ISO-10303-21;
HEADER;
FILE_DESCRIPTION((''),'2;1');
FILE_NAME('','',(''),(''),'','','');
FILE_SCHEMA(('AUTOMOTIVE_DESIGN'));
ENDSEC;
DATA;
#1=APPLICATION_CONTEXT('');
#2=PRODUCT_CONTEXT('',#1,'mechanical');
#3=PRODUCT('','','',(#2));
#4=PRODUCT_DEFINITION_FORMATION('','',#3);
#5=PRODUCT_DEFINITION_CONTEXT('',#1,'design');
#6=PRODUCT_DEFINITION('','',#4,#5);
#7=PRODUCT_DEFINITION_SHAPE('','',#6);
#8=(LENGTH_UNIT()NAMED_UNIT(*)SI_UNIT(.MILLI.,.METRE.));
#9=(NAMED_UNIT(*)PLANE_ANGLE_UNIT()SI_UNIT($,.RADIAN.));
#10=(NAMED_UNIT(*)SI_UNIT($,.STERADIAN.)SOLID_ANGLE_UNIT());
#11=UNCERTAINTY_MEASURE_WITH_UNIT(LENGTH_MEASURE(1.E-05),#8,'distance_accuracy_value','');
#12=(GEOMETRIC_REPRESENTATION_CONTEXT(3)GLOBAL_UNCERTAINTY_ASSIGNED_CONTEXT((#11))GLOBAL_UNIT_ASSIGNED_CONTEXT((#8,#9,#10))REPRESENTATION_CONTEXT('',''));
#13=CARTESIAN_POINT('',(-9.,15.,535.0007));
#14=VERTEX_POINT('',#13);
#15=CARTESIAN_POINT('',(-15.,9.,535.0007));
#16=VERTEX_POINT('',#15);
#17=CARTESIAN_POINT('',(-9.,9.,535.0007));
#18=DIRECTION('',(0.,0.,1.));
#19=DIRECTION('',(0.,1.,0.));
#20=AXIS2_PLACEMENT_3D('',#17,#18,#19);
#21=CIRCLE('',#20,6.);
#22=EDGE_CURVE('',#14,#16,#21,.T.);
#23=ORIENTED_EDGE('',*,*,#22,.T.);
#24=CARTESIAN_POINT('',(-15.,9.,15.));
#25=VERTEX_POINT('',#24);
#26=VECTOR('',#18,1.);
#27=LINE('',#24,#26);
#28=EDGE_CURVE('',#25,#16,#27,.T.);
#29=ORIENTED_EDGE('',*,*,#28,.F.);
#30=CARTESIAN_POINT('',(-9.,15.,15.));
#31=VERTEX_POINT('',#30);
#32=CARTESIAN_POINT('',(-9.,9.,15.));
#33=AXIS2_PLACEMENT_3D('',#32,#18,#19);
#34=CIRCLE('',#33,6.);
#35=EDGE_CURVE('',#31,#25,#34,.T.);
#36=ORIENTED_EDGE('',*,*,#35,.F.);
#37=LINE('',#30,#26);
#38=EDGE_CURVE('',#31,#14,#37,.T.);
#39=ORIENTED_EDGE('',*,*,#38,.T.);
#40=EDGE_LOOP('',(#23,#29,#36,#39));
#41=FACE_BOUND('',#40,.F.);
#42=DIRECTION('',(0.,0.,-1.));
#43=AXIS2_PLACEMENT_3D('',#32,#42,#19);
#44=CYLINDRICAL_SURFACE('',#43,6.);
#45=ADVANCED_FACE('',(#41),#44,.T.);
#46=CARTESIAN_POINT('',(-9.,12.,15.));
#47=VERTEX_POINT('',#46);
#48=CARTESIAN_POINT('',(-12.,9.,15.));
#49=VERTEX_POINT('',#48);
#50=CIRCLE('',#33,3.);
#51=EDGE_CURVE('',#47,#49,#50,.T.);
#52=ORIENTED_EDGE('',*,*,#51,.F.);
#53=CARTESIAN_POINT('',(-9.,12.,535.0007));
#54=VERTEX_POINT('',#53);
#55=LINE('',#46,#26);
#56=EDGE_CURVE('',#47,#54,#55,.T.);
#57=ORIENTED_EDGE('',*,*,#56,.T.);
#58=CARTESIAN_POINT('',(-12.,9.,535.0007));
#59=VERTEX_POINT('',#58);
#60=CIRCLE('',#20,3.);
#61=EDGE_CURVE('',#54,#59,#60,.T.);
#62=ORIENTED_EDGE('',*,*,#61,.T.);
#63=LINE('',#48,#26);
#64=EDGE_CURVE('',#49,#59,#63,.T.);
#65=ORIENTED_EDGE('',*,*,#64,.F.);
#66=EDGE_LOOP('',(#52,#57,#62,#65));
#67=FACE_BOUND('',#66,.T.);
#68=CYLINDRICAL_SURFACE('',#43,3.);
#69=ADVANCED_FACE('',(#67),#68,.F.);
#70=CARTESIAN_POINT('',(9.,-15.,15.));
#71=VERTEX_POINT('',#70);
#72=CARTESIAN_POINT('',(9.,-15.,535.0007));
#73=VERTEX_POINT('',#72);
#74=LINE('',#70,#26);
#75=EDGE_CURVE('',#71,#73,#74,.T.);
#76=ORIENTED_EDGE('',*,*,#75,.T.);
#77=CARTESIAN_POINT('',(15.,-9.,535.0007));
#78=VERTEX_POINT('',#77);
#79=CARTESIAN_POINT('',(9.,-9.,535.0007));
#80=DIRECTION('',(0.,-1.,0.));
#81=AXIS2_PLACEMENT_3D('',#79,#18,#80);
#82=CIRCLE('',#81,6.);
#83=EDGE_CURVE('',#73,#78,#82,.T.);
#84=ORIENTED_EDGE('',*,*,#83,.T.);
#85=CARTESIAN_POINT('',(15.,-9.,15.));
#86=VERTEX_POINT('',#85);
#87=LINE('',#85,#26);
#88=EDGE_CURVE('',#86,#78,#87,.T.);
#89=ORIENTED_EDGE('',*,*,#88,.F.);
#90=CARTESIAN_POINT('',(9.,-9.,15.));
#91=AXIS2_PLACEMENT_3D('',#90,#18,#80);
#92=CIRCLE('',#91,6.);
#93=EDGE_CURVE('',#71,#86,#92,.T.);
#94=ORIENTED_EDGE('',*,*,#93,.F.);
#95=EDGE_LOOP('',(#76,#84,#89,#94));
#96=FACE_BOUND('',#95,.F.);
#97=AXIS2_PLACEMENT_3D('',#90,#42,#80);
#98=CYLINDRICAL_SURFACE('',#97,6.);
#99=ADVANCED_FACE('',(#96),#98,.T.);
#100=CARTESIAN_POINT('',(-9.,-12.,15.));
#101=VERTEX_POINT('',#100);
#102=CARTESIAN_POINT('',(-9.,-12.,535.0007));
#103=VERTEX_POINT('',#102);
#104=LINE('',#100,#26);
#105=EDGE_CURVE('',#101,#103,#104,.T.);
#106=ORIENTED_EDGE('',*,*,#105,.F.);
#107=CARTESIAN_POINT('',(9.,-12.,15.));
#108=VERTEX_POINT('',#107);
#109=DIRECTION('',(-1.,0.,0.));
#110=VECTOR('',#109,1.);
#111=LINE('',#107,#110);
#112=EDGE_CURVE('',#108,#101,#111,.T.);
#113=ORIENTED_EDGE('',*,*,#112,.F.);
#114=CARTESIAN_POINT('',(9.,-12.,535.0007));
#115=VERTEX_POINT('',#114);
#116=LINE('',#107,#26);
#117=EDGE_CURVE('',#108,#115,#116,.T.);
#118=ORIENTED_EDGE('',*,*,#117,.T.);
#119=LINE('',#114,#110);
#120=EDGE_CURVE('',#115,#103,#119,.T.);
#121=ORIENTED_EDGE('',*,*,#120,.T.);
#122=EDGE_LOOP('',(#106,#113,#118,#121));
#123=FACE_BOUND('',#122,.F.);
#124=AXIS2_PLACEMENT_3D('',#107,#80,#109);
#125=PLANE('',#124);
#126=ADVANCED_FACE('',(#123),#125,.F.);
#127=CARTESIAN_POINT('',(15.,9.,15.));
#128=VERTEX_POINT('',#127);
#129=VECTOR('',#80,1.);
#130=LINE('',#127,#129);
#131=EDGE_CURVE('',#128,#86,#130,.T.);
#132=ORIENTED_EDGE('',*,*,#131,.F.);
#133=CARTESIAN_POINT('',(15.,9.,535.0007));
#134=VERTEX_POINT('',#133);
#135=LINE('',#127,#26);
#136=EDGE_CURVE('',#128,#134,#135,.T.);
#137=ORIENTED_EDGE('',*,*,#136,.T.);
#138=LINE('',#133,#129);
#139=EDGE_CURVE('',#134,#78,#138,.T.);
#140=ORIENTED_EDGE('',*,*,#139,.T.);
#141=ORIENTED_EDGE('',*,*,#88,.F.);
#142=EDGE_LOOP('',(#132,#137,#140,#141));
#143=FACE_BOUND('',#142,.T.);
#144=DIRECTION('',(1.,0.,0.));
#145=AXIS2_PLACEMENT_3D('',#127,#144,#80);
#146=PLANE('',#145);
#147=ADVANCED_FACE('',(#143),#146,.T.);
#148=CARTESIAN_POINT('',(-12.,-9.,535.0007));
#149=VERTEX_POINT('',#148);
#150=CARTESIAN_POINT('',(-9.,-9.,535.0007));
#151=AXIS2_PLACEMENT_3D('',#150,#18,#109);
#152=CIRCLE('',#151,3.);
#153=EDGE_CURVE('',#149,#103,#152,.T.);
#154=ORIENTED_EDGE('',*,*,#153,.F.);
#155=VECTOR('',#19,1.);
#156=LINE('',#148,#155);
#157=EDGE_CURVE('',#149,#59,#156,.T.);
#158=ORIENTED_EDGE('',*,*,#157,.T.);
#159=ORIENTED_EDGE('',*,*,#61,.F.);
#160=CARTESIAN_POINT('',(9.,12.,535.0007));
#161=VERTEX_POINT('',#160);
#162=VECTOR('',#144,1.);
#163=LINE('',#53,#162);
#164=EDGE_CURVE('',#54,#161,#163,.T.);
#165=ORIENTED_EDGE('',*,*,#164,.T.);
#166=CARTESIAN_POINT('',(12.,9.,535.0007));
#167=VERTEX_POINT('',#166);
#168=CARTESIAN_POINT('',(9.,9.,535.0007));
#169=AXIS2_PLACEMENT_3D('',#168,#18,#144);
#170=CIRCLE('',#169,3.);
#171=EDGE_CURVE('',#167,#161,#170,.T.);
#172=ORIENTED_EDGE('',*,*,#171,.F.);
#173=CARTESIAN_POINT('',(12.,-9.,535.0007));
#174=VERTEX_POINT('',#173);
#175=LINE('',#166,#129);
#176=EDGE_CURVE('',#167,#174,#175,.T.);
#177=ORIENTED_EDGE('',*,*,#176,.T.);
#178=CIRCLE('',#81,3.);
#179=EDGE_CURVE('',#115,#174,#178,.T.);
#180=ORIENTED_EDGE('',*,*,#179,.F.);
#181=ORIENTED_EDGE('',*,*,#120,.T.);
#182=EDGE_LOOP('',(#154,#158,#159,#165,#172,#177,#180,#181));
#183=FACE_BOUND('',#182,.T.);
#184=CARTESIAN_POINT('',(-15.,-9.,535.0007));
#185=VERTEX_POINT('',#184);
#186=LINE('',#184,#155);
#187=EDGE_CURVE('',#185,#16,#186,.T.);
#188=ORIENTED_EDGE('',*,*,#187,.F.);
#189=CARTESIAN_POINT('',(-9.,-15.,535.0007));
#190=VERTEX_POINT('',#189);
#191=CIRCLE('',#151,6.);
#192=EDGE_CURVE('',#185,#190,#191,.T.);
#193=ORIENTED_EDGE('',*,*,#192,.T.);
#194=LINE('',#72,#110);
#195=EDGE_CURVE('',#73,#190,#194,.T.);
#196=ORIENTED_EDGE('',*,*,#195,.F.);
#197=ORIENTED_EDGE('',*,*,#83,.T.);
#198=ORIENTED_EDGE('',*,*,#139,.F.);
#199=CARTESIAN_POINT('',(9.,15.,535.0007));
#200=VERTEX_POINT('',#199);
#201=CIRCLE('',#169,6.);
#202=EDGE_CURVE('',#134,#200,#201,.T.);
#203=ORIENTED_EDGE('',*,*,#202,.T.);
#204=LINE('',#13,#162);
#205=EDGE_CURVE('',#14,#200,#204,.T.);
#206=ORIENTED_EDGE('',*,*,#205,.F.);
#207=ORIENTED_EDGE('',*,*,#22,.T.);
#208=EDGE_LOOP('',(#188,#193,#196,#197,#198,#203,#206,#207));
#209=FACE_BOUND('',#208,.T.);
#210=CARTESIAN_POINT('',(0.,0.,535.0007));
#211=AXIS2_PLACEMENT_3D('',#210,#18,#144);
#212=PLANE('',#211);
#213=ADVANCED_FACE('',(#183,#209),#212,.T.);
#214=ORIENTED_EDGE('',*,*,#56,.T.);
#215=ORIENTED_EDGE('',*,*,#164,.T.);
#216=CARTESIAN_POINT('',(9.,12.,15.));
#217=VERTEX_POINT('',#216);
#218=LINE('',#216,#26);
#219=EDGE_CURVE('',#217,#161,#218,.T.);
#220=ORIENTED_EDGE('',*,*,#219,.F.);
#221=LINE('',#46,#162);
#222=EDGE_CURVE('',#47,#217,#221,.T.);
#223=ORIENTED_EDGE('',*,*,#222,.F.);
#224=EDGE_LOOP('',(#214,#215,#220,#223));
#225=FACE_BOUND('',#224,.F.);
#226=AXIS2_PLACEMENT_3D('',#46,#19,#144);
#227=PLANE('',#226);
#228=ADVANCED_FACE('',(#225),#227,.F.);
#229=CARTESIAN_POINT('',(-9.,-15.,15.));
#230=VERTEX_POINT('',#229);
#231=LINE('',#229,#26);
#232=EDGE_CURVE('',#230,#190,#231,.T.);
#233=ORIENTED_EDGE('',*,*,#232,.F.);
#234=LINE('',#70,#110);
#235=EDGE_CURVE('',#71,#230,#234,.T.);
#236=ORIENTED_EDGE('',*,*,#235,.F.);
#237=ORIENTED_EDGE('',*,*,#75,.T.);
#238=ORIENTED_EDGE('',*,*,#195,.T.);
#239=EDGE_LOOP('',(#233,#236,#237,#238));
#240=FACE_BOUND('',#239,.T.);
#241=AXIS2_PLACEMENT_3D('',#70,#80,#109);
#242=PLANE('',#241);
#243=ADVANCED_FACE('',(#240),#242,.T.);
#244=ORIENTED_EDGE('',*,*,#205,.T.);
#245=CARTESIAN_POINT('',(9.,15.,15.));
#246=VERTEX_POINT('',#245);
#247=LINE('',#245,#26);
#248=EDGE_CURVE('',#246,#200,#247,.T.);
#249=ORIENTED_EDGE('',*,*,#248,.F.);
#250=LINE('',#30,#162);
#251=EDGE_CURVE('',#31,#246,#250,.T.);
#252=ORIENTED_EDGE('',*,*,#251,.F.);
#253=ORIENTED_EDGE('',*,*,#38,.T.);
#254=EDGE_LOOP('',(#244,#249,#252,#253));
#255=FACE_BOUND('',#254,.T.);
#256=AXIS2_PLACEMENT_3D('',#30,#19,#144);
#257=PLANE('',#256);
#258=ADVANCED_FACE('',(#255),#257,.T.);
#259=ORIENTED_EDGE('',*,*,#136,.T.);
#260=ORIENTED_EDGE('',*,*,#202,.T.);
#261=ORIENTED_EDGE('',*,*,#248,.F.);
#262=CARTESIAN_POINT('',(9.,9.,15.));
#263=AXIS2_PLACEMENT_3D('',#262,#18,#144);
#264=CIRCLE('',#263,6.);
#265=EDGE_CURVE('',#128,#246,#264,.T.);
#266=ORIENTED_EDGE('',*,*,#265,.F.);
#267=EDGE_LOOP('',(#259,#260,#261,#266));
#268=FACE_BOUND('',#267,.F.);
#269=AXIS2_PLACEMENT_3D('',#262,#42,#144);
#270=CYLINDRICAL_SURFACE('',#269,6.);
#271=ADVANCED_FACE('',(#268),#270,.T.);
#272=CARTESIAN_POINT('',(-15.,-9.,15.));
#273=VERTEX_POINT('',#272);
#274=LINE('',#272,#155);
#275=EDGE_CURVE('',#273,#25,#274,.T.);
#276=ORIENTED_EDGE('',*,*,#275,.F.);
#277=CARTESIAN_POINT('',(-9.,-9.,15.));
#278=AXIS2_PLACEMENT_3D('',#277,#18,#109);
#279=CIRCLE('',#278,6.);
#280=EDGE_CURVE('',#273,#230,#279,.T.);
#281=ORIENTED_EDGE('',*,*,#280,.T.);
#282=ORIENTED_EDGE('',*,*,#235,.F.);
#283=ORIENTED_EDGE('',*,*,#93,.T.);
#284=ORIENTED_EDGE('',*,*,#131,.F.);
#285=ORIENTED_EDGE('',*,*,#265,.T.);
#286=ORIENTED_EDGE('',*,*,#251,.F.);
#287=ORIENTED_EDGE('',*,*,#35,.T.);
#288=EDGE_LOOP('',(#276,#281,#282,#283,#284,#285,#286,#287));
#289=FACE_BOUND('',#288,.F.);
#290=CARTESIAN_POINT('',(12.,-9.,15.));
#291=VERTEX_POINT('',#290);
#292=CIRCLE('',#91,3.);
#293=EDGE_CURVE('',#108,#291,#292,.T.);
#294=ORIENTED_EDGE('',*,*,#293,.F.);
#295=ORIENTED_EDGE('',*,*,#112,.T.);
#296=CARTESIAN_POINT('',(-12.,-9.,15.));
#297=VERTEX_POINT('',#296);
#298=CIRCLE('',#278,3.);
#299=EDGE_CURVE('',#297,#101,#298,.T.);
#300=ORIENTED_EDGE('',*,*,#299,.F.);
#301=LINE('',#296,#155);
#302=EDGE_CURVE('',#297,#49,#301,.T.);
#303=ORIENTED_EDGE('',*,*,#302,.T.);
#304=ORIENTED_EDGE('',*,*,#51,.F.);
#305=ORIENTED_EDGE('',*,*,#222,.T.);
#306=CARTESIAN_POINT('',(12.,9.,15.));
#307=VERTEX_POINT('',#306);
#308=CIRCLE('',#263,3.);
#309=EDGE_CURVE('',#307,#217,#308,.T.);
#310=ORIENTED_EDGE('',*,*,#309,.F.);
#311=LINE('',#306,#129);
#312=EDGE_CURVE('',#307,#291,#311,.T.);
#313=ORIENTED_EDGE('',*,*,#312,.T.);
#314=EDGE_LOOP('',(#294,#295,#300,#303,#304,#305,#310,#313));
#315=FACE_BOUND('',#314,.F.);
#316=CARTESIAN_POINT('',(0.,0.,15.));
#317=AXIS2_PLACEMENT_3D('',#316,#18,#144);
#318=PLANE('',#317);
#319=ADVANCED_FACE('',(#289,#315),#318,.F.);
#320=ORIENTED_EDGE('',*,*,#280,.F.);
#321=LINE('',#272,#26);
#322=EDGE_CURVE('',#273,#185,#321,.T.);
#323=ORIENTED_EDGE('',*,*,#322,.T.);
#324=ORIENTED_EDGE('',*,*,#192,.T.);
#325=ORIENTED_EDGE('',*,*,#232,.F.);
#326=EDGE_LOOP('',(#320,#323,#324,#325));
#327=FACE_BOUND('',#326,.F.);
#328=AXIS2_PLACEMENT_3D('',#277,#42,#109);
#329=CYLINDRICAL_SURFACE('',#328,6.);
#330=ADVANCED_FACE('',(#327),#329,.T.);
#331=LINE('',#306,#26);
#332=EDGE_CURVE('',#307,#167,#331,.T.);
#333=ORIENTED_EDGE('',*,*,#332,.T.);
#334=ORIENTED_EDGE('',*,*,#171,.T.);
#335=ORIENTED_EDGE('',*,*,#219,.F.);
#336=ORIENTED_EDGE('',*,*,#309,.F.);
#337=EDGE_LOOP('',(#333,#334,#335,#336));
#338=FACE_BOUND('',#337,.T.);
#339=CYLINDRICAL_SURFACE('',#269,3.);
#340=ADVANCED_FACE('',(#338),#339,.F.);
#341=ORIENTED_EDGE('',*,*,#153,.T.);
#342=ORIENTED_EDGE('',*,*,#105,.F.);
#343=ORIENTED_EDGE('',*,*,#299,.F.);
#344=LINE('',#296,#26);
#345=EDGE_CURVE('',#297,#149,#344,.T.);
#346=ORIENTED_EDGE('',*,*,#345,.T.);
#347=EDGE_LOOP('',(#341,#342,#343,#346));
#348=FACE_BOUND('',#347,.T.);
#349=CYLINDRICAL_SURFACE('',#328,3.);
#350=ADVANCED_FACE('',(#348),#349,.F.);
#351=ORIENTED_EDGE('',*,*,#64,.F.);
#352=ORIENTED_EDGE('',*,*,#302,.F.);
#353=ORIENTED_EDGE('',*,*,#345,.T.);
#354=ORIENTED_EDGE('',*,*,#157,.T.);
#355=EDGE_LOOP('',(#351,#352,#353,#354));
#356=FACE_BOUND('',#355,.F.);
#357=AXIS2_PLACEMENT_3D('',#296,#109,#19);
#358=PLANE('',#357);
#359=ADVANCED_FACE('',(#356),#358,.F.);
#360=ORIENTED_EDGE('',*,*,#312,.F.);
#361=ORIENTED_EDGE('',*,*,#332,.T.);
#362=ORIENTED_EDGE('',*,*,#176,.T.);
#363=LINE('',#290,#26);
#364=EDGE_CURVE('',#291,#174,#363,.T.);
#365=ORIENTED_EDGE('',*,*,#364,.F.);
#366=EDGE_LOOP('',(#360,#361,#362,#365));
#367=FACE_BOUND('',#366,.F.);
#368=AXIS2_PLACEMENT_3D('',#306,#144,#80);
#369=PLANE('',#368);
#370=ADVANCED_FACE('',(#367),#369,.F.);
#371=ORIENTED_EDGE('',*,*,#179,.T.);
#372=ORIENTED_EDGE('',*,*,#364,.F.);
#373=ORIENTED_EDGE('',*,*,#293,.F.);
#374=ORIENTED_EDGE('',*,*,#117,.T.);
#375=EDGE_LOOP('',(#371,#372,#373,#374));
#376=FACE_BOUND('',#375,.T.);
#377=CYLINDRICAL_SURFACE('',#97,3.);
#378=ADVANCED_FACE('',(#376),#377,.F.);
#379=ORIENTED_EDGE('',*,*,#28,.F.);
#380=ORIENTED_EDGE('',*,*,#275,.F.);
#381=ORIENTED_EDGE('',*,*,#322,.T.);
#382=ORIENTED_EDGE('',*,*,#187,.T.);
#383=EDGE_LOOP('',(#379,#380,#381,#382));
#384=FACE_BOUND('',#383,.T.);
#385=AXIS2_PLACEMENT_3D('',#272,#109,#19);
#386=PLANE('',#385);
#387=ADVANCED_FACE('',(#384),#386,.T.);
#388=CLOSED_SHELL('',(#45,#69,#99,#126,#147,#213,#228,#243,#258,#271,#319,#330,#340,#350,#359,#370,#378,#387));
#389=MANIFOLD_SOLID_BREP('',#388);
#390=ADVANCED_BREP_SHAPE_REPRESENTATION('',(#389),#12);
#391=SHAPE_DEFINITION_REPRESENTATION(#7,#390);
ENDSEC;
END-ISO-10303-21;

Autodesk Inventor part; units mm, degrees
ref_plane "Start Plane" through (0, 0, 15) normal (0, 0, 1) x (1, 0, 0)
ref_plane "End Plane" through (0, 0, 535.0007) normal (0, 0, 1) x (1, 0, 0)
sketch "Sketch" plane through (0, 0, 0) normal (0, 0, 1) x (1, 0, 0)
  line L0 (-15, -9) -> (-15, 9)
  line L1 (-9, 15) -> (9, 15)
  line L2 (15, 9) -> (15, -9)
  line L3 (9, -15) -> (-9, -15)
  arc A0 (-15, -9) -> (-9, -15) centre (-9, -9) ccw
  arc A1 (-9, 15) -> (-15, 9) centre (-9, 9) ccw
  arc A2 (15, 9) -> (9, 15) centre (9, 9) ccw
  arc A3 (9, -15) -> (15, -9) centre (9, -9) ccw
  arc A4 (-9, 12) -> (-12, 9) centre (-9, 9) ccw
  line L4 (-9, 12) -> (9, 12)
  arc A5 (12, 9) -> (9, 12) centre (9, 9) ccw
  line L5 (12, 9) -> (12, -9)
  arc A6 (9, -12) -> (12, -9) centre (9, -9) ccw
  line L6 (9, -12) -> (-9, -12)
  arc A7 (-12, -9) -> (-9, -12) centre (-9, -9) ccw
  line L7 (-12, -9) -> (-12, 9)
  line L8 (0, 22.7397) -> (0, -22.7397) construction
  line L9 (-22.7397, 0) -> (22.7397, 0) construction
  dimension "d7" = 6
  dimension "d10" = 30
  dimension "d11" = 30
  dimension "d12" = 3
  dimension "d15" = 15
  dimension "d16" = 15
extrude "Body" add sketch "Sketch" along normal up to surface (520.0007 mm away) from surface at 15
sketch "Sketch3" plane through (0, 0, 0) normal (0, 0, 1) x (1, 0, 0)
  line L0 (0, 0) -> (10, 0)
ref_plane "Work Plane3" through (0, 0, 0) normal (0, -1, 0) x (1, 0, 0)
ref_plane "Work Plane4" through (9, 1515, 15) normal (0, 0, -1) x (-1, 0, 0)
split "Split1" plane through (9, 1515, 15) removes the side toward (0, 0, -1)
ref_plane "Work Plane6" through (9.0011, 375, 535.0007) normal (0, 0, 1) x (1, 0, 0)
split "Split3" plane through (9.0011, 375, 535.0007) removes the side toward (0, 0, 1)
sketch "Sketch4" plane through (0, 0, 0) normal (0, -1, 0) x (1, 0, 0)
  line L0 (-2, 15) -> (12, 15) projected
  line L1 (-2, 535.0007) -> (12, 535.0007) projected
  dimension "d18" = 520.0007
equation "\"d7\" = G_IR"
equation "\"d10\" = G_H"
equation "\"d11\" = G_W"
equation "\"d12\" = G_T"
equation "\"d15\" = 0.5 * d10"
equation "\"d16\" = 0.5 * d11"
equation "\"d3\" = G_L"
equation "\"G_W\" = 30"
equation "\"G_H\" = 30"
equation "\"G_T\" = 3"
equation "\"G_IR\" = 6"
equation "\"G_L\" = d18"
equation "\"G_OFFSET_START\" = -15"
equation "\"G_OFFSET_END\" = -14.99934"
equation "\"d13\" = -G_OFFSET_START"
equation "\"d14\" = G_OFFSET_END + B_L"
equation "\"B_L\" = 550"
properties part number "DIN EN 10219-2 - 30 x 30 x 3  - 520" material "Steel, Mild"
